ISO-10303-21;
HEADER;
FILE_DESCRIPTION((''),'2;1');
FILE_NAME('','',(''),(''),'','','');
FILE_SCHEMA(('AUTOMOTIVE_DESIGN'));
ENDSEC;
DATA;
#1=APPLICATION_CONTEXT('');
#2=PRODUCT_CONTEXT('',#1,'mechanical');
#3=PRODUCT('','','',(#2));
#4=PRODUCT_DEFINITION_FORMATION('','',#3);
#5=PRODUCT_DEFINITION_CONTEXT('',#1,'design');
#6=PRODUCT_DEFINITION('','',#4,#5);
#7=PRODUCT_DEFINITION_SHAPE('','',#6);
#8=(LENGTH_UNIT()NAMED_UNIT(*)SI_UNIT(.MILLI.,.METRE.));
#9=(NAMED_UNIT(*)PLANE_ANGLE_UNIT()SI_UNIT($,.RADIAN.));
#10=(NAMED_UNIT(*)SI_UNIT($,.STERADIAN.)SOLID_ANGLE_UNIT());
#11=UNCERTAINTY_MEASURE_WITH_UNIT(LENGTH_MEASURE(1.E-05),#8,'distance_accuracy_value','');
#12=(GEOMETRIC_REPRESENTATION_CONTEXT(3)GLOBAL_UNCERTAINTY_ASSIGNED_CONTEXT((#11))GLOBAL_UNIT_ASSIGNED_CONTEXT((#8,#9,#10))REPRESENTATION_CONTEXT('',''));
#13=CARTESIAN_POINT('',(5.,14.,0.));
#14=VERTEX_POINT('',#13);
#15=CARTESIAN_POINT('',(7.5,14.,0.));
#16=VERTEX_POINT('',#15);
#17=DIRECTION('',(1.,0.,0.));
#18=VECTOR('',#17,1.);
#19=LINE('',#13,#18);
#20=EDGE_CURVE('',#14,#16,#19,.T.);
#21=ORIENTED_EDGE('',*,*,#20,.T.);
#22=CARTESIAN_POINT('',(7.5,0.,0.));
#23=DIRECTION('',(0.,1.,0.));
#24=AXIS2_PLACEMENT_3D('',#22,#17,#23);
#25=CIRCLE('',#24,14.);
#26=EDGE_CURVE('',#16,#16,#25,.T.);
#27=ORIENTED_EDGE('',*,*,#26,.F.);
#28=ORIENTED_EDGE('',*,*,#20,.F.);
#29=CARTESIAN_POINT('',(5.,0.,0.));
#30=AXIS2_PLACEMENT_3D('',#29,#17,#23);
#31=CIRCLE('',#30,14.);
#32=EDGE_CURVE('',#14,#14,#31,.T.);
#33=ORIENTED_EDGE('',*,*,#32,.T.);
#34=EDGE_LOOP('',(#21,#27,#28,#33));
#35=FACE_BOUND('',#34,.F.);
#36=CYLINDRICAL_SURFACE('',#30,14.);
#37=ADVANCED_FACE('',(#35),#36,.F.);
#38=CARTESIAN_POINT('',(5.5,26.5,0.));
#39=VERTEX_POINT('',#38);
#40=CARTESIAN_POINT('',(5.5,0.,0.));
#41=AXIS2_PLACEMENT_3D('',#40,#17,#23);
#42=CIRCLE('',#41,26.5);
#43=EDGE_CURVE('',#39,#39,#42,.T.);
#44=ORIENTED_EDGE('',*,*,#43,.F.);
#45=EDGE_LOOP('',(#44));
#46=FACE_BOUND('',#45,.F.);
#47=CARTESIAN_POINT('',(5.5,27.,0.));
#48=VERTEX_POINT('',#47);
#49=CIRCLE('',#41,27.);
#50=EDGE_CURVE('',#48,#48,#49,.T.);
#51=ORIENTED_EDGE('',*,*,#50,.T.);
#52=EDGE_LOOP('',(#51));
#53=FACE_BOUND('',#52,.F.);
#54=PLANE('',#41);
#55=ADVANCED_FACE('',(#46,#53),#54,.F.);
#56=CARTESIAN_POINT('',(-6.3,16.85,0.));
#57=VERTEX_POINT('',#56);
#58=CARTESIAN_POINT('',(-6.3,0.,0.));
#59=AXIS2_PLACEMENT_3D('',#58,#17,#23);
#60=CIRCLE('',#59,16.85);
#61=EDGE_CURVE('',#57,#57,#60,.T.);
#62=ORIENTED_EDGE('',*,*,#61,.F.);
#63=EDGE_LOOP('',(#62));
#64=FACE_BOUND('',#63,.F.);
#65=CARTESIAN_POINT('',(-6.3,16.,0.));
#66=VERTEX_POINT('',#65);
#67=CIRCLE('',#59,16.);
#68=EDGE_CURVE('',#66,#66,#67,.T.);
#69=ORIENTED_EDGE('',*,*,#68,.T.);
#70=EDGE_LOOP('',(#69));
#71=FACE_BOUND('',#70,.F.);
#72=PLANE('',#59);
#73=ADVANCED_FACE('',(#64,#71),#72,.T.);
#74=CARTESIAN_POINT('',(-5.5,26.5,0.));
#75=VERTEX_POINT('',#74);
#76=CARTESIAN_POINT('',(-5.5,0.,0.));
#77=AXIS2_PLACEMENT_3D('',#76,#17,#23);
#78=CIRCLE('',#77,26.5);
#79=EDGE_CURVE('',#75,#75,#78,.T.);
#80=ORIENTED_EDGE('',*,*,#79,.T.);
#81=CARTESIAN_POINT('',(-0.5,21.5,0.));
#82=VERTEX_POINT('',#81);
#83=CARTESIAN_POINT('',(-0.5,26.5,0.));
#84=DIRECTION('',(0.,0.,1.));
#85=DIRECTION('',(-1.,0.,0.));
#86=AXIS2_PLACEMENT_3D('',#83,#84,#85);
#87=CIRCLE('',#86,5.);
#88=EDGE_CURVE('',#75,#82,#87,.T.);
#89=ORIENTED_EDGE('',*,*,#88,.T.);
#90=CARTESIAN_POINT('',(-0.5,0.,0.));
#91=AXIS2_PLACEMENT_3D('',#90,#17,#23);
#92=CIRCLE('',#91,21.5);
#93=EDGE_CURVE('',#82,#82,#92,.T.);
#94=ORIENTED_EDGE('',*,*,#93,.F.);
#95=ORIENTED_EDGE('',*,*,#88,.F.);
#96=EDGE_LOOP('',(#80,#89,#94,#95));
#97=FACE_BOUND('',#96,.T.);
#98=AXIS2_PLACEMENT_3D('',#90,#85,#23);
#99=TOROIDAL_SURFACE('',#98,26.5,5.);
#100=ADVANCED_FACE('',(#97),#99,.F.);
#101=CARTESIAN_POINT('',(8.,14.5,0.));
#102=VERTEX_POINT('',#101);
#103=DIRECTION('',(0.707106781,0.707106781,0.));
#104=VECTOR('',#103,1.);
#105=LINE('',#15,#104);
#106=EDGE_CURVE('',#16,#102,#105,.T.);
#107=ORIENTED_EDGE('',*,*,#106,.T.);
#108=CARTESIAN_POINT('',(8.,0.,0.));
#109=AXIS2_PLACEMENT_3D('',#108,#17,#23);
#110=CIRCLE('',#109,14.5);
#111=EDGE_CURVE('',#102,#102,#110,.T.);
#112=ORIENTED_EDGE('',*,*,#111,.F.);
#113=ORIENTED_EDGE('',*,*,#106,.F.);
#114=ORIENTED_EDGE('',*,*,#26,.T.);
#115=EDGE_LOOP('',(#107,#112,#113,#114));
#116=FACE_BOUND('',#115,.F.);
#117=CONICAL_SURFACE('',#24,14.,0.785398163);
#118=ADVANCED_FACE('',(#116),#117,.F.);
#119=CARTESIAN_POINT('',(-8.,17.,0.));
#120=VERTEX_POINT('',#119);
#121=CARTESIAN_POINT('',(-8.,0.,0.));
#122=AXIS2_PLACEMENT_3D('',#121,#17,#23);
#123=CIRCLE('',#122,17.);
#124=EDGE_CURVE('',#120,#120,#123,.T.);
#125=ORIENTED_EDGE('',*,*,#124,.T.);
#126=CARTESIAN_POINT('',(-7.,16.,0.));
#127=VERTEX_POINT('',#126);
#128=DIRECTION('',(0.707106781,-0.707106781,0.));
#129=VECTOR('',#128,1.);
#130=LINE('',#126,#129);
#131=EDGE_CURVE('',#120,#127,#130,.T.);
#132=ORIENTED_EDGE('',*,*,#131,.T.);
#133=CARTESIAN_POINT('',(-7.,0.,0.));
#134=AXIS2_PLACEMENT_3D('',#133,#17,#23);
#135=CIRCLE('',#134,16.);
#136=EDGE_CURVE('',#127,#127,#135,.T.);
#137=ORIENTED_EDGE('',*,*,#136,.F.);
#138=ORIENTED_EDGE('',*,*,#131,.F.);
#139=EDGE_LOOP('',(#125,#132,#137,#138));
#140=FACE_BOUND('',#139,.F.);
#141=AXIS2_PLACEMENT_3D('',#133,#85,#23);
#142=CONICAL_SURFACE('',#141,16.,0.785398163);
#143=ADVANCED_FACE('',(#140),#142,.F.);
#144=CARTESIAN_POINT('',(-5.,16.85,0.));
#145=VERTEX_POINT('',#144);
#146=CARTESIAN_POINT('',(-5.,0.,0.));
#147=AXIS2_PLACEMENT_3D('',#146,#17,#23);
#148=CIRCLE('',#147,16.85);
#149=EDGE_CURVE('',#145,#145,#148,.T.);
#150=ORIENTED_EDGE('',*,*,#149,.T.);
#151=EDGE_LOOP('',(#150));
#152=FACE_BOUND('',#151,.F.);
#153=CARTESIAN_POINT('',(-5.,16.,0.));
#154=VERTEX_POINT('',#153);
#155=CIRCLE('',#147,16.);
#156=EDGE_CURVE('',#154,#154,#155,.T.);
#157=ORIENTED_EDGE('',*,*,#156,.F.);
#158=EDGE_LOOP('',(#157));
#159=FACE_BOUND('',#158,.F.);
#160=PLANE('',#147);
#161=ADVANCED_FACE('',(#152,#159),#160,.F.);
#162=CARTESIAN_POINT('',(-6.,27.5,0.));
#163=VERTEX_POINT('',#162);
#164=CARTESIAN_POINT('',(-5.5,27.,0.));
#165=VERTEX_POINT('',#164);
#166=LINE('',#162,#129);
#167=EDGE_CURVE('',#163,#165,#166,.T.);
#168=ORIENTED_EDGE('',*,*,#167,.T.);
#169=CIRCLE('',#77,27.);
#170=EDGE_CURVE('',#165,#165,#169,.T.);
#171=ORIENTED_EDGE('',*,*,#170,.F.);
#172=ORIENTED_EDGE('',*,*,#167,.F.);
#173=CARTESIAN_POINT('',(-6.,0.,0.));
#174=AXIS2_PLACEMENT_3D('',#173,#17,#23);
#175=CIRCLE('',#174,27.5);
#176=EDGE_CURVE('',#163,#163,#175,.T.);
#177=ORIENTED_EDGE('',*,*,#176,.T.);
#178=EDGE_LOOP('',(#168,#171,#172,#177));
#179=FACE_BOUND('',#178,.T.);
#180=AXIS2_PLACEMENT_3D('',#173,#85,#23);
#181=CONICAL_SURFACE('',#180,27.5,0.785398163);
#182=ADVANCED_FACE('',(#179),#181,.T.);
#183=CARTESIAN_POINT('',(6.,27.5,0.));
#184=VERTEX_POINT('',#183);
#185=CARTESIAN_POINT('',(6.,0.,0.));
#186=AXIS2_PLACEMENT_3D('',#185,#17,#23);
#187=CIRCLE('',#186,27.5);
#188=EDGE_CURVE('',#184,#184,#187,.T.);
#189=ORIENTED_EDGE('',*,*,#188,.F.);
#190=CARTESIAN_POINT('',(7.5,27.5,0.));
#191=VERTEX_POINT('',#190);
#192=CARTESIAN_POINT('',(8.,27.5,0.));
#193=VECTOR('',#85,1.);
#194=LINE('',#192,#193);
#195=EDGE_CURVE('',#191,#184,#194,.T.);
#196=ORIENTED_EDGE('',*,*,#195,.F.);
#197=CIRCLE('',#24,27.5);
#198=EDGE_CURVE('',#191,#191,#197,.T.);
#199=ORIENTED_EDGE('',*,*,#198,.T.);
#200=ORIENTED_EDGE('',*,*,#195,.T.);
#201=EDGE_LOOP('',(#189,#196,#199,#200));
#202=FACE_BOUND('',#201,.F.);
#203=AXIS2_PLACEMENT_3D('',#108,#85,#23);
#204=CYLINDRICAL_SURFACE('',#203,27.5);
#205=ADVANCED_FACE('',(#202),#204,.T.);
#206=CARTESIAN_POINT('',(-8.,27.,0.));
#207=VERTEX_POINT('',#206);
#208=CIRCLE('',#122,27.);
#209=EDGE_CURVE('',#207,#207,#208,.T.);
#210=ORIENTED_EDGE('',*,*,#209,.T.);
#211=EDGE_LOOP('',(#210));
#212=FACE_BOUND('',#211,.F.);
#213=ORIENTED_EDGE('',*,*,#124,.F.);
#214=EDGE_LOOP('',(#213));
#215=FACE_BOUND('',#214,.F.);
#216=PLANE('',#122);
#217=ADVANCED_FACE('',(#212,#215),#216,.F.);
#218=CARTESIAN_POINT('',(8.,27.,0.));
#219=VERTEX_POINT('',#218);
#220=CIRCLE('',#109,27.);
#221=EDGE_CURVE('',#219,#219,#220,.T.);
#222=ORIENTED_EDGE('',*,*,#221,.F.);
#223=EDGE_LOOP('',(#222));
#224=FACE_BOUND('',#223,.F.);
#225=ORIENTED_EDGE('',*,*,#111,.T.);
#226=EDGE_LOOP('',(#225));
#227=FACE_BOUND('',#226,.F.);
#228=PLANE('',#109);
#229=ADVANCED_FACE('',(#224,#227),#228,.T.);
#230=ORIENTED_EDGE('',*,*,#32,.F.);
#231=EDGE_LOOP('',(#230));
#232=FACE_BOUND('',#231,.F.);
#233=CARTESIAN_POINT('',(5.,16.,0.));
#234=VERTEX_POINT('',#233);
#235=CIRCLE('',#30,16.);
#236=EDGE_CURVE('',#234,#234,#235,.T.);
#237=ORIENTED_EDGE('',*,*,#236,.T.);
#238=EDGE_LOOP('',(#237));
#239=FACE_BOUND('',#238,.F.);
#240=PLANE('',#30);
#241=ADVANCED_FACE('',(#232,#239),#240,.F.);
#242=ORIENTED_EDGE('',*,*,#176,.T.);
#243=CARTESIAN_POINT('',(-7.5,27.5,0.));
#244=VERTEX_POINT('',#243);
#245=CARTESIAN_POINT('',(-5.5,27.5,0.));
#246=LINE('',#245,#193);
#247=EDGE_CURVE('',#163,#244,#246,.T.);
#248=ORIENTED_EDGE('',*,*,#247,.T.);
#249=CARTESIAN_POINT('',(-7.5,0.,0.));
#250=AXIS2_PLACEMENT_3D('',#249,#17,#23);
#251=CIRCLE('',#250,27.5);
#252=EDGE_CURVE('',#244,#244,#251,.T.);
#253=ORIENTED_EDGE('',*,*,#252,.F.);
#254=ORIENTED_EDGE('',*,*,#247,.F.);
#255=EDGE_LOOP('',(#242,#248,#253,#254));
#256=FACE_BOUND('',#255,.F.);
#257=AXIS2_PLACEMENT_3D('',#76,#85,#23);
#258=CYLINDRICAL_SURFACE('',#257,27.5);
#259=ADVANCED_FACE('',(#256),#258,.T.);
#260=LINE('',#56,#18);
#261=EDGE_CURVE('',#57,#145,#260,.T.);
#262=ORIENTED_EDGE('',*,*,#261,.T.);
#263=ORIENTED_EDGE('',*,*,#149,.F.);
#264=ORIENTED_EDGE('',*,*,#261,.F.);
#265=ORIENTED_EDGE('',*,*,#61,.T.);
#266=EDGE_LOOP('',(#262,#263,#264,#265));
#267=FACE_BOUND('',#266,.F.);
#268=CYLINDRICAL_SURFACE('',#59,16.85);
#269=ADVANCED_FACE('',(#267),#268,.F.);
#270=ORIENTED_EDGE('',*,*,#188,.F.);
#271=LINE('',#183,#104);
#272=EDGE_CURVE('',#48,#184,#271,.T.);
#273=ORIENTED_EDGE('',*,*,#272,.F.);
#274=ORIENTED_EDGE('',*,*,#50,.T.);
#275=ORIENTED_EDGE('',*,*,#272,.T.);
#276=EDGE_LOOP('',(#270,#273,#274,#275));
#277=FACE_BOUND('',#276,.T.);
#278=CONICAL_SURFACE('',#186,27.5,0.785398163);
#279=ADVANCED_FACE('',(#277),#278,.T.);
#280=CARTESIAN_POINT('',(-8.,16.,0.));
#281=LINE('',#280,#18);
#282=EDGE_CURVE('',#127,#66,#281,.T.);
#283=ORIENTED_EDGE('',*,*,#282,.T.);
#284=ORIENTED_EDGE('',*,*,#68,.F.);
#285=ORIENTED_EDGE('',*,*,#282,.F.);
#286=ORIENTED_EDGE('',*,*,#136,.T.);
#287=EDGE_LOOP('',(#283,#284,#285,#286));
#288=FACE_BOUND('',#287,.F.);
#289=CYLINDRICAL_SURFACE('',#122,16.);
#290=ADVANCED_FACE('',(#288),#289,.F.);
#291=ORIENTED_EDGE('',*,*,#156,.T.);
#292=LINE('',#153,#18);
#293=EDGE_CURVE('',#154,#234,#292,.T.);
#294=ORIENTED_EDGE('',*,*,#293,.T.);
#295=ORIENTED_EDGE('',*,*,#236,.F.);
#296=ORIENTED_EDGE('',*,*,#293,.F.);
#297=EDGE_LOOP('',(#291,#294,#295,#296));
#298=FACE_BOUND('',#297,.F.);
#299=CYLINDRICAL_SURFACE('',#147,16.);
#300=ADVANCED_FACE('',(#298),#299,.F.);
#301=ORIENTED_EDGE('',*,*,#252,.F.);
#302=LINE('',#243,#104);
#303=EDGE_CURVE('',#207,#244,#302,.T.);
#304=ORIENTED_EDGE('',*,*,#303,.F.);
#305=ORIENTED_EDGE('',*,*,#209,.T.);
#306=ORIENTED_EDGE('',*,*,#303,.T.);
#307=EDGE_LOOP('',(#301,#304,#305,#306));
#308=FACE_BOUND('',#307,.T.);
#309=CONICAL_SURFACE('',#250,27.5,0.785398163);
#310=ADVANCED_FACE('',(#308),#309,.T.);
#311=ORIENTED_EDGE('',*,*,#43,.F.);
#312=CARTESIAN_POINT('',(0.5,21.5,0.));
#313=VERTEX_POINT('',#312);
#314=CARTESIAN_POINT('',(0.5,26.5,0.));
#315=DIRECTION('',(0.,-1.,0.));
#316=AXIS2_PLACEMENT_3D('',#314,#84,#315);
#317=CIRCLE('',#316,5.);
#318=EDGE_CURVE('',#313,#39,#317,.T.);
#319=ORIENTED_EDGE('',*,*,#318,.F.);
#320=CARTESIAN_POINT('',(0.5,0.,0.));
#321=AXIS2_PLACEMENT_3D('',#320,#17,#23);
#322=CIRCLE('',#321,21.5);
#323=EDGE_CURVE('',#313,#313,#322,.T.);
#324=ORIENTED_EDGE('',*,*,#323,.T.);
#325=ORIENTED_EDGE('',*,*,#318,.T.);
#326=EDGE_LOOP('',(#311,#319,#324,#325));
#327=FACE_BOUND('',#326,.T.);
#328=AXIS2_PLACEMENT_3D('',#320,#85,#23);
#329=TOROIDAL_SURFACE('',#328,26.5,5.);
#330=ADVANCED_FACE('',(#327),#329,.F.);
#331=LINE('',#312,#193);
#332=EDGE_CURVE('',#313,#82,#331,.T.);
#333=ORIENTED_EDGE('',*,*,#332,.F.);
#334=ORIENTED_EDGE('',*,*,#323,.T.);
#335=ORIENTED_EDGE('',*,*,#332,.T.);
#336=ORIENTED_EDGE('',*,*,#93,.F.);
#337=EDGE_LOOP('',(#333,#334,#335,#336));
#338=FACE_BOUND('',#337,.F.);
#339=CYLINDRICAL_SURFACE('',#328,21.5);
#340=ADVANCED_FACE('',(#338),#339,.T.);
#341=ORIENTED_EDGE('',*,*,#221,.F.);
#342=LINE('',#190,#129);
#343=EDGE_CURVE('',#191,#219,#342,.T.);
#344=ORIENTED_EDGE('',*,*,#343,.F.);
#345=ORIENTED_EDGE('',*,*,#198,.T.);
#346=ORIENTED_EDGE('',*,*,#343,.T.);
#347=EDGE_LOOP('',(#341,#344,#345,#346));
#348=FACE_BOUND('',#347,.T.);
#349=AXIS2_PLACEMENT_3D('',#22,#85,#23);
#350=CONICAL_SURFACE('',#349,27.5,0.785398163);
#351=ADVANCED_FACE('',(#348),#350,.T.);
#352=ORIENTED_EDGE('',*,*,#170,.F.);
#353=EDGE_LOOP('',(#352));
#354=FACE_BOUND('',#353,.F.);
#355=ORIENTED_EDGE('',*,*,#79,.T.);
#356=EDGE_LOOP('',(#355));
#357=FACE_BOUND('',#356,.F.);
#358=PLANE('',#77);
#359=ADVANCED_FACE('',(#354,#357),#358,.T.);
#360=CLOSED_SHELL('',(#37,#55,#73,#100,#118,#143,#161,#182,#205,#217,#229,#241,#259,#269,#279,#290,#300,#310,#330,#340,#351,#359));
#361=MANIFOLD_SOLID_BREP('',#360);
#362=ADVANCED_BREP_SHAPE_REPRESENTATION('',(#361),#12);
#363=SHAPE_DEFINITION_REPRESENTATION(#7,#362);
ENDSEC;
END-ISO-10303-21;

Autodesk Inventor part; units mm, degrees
ref_plane "YZ Plane" through (0, 0, 0) normal (1, 0, 0) x (0, 1, 0)
ref_plane "XZ Plane" through (0, 0, 0) normal (0, 1, 0) x (-1, 0, 0)
ref_plane "XY Plane" through (0, 0, 0) normal (0, 0, 1) x (1, 0, 0)
sketch "Náčrt1" plane through (0, 0, 0) normal (0, 0, 1) x (1, 0, 0)
  line L0 (-8, 0) -> (8, 0)
  line L1 (8, 0) -> (8, 27.5)
  line L2 (8, 27.5) -> (5.5, 27.5)
  line L3 (5.5, 27.5) -> (5.5, 26.5)
  line L4 (0.5, 21.5) -> (-0.5, 21.5)
  line L5 (-5.5, 26.5) -> (-5.5, 27.5)
  line L6 (-5.5, 27.5) -> (-8, 27.5)
  line L7 (-8, 27.5) -> (-8, 0)
  line L8 (-8, 16) -> (-6.3, 16)
  line L9 (-6.3, 16) -> (-6.3, 16.85)
  line L10 (-6.3, 16.85) -> (-5, 16.85)
  line L11 (-5, 16.85) -> (-5, 16)
  line L12 (-5, 16) -> (5, 16)
  line L13 (5, 16) -> (5, 14)
  line L14 (5, 14) -> (8, 14)
  arc A0 (-5.5, 26.5) -> (-0.5, 21.5) centre (-0.5, 26.5) ccw
  arc A1 (0.5, 21.5) -> (5.5, 26.5) centre (0.5, 26.5) ccw
  point P0 (0, 0)
  point P1 (0, 0)
  point P2 (5.5, 21.5)
  point P3 (-5.5, 21.5)
  dimension "d0" = 55
  dimension "d1" = 16
  dimension "d3" = 2.5
  dimension "d4" = 6
  dimension "d5" = 32
  dimension "d6" = 28
  dimension "d7" = 10
  dimension "d8" = 13
  dimension "d9" = 33.7
  dimension "d10" = 1.3
  dimension "d18" = 11
  dimension "d24" = 43
  dimension "d27" = 5
revolve "Rotace1" add sketch "Náčrt1" angle 360 about axis through (-8, 0, 0) along (1, 0, 0) contours L7 L6 L5 A0 L4 A1 L3 L2 L1 L14 L13 L12 L11 L10 L9 L8
chamfer "Zkosení1" distance 1 angle 45 1 edges at (-8, -16, 0)
chamfer "Zkosení2" distance 0.5 angle 45 5 edges at (-8, -27.5, 0) (-5.5, -27.5, 0) (5.5, -27.5, 0) (8, -27.5, 0) (8, -14, 0)
sketch "Náčrt2" plane through (8, 0, 0) normal (1, 0, 0) x (0, 0, -1)
  circle A0 centre (0, 0) radius 27.5 projected
  circle A1 centre (0, 0) radius 14.5 projected
  circle A2 centre (0, 0) radius 30
  dimension "d25" = 2.5
  dimension "d26" = 60
extrude "POLOTOVAR" [suppressed]
properties part number "DD_KVD_004_02" material "Nerezová ocel"
